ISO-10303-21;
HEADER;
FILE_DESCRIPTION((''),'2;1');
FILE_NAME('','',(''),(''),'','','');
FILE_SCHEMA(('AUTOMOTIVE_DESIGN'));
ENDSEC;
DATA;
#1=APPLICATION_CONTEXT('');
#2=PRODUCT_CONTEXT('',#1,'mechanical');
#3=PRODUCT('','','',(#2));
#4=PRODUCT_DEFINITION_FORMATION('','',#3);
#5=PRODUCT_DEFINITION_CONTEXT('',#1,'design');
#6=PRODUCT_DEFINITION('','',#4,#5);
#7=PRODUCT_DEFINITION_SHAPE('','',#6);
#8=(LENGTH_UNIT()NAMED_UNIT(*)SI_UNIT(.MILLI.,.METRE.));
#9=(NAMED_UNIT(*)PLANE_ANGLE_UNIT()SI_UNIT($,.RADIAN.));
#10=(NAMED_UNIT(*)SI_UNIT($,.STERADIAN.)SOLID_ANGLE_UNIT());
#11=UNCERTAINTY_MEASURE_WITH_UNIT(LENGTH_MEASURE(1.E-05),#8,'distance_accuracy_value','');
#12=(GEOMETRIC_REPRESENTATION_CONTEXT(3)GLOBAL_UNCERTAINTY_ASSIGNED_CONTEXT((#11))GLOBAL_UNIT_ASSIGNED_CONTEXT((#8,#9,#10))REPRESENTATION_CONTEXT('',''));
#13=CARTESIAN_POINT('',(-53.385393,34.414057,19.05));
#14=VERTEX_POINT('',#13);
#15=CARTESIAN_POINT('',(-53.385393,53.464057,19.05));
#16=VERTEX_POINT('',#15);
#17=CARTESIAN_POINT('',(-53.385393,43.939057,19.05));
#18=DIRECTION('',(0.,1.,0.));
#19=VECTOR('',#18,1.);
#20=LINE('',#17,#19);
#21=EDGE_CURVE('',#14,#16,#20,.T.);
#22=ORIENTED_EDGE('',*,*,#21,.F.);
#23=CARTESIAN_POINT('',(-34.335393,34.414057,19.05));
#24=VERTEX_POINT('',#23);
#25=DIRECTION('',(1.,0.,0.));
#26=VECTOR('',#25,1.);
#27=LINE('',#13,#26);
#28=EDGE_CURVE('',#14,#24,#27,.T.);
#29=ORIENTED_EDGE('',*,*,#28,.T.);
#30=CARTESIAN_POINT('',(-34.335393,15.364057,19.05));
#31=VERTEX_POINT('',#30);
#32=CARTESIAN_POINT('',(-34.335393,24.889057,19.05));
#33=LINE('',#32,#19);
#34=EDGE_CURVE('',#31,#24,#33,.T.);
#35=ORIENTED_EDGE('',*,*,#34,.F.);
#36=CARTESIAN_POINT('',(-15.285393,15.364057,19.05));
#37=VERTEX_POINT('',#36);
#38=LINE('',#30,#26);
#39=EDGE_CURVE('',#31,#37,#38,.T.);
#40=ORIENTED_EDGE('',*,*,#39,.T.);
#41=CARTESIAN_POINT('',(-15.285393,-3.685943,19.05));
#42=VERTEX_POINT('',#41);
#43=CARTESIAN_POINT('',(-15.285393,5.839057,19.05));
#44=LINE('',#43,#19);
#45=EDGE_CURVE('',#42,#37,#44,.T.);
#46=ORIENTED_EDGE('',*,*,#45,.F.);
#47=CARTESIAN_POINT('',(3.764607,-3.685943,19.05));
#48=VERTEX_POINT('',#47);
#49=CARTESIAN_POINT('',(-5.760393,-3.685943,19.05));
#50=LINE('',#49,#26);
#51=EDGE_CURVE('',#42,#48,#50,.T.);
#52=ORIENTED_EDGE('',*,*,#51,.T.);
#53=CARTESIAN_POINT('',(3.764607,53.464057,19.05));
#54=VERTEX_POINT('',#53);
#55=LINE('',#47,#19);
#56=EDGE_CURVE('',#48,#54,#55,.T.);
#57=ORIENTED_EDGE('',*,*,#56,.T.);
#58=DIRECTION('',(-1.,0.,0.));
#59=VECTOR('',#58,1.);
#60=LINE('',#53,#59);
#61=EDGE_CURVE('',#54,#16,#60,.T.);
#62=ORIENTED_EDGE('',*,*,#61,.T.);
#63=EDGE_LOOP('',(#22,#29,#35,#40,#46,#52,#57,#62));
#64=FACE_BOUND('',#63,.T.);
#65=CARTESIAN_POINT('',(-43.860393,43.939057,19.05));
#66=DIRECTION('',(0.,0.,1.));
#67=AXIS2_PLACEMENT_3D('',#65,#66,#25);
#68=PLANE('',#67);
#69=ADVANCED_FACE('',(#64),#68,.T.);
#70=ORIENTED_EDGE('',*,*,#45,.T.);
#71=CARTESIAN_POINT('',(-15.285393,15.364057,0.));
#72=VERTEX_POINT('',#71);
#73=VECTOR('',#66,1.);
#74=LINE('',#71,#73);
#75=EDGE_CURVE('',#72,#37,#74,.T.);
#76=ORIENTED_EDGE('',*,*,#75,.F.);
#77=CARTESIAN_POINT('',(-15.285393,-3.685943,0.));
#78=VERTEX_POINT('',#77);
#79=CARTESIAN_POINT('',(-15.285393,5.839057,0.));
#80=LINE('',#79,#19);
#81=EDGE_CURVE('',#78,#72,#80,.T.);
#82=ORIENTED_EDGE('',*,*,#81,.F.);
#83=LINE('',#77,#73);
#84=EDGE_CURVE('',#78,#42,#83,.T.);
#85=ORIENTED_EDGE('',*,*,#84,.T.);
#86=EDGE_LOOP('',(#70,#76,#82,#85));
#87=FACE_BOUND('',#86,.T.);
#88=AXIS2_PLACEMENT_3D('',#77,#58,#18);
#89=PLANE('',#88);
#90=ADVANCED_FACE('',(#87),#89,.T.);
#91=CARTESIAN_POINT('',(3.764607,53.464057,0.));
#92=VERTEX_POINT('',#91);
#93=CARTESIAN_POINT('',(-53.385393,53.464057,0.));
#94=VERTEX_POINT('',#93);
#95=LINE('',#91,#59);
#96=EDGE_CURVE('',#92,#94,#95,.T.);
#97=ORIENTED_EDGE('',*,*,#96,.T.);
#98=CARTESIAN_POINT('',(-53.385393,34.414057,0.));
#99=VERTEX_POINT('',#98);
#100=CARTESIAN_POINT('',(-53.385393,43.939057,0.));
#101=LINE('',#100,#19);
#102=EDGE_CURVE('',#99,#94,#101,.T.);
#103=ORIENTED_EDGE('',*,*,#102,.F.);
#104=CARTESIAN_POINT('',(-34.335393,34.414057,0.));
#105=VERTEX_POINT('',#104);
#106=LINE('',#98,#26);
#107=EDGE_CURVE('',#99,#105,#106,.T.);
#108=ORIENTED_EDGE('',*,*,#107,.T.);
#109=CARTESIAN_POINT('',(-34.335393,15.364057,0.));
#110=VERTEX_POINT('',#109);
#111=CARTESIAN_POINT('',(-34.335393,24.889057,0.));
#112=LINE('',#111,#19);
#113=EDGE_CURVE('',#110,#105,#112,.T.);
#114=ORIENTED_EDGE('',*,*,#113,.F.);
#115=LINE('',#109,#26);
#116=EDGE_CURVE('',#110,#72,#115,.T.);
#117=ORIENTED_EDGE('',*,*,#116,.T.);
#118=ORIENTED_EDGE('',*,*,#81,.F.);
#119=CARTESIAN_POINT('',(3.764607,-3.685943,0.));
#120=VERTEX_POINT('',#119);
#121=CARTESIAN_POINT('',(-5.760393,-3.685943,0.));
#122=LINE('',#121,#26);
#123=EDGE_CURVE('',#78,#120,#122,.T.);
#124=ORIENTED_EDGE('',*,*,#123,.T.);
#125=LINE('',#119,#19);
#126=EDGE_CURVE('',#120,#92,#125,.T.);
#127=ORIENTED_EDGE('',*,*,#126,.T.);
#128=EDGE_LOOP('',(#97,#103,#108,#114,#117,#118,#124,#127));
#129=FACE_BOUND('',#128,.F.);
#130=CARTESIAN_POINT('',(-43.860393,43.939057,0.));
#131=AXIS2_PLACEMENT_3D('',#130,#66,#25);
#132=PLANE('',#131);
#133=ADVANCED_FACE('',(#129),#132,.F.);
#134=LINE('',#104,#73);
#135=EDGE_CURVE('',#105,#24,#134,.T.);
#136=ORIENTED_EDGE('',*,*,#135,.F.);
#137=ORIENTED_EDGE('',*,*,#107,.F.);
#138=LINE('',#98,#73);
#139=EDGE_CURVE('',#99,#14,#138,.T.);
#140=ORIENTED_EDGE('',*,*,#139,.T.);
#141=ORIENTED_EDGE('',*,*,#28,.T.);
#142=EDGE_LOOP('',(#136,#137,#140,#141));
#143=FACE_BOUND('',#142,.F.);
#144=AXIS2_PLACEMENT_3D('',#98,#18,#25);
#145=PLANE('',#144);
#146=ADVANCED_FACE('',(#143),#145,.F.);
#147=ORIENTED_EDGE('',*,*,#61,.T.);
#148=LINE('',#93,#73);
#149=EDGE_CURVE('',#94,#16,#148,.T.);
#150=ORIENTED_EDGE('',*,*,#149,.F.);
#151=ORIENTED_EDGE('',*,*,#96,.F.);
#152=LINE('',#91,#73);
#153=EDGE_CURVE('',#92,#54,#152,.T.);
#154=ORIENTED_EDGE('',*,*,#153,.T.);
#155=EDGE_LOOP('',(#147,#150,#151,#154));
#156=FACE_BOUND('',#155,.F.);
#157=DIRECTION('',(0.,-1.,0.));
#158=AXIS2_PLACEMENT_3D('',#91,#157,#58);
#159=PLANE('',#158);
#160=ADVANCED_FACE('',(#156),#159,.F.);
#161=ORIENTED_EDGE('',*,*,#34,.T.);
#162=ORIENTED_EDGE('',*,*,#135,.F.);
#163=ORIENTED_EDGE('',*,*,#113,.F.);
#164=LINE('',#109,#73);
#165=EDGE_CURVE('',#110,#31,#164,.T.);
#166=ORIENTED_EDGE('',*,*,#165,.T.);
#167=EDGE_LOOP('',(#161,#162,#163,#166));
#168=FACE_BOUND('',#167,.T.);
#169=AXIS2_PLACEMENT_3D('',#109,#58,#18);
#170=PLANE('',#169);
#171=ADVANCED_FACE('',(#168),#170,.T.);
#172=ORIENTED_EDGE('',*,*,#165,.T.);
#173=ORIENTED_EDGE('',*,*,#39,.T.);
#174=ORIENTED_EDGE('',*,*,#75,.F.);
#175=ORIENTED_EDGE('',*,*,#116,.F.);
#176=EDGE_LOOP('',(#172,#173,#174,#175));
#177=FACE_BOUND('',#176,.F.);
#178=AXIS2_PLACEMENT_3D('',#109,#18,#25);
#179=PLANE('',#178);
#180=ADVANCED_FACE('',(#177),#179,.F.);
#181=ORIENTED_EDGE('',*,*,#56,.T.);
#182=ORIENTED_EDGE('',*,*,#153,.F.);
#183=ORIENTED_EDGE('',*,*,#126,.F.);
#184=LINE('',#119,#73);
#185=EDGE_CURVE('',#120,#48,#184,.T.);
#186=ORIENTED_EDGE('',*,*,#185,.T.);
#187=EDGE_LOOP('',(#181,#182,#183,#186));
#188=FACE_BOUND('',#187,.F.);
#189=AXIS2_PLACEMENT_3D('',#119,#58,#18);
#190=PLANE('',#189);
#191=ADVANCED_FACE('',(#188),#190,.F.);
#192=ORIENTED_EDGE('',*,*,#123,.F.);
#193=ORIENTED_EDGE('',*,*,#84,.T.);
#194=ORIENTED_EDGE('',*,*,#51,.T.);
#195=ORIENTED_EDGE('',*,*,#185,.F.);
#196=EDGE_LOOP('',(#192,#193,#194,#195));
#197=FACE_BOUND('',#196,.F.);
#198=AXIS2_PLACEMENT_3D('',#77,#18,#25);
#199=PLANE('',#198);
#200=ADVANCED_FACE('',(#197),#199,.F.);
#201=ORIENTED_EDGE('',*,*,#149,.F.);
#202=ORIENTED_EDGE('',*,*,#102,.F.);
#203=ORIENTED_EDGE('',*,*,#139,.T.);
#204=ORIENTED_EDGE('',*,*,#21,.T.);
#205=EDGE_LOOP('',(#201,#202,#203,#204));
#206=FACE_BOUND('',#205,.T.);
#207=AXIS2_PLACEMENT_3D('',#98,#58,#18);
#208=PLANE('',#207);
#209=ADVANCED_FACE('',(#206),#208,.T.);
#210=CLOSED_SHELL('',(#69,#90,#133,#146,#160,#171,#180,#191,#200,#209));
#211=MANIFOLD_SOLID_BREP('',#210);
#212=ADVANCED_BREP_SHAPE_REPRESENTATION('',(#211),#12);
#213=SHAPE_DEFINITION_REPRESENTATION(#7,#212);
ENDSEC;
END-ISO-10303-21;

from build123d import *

# Parameters (mm, degrees)
F0_W     = 19.05
F0_H     = 19.05
F1_DEPTH = 19.05


with BuildPart() as f1:
    # F0 (on Top) → F1 (new body)
    with BuildSketch(Plane.XY):
        with Locations((-43.860393, 43.939057)):
            Rectangle(F0_W, F0_H)
        with Locations((-24.810393, 43.939057)):
            Rectangle(F0_W, F0_H)
        with Locations((-5.760393, 43.939057)):
            Rectangle(F0_W, F0_H)
        with Locations((-5.760393, 24.889057)):
            Rectangle(F0_W, F0_H)
        with Locations((-24.810393, 24.889057)):
            Rectangle(F0_W, F0_H)
        with Locations((-5.760393, 5.839057)):
            Rectangle(F0_W, F0_H)
    extrude(amount=F1_DEPTH)


solid = f1.part
